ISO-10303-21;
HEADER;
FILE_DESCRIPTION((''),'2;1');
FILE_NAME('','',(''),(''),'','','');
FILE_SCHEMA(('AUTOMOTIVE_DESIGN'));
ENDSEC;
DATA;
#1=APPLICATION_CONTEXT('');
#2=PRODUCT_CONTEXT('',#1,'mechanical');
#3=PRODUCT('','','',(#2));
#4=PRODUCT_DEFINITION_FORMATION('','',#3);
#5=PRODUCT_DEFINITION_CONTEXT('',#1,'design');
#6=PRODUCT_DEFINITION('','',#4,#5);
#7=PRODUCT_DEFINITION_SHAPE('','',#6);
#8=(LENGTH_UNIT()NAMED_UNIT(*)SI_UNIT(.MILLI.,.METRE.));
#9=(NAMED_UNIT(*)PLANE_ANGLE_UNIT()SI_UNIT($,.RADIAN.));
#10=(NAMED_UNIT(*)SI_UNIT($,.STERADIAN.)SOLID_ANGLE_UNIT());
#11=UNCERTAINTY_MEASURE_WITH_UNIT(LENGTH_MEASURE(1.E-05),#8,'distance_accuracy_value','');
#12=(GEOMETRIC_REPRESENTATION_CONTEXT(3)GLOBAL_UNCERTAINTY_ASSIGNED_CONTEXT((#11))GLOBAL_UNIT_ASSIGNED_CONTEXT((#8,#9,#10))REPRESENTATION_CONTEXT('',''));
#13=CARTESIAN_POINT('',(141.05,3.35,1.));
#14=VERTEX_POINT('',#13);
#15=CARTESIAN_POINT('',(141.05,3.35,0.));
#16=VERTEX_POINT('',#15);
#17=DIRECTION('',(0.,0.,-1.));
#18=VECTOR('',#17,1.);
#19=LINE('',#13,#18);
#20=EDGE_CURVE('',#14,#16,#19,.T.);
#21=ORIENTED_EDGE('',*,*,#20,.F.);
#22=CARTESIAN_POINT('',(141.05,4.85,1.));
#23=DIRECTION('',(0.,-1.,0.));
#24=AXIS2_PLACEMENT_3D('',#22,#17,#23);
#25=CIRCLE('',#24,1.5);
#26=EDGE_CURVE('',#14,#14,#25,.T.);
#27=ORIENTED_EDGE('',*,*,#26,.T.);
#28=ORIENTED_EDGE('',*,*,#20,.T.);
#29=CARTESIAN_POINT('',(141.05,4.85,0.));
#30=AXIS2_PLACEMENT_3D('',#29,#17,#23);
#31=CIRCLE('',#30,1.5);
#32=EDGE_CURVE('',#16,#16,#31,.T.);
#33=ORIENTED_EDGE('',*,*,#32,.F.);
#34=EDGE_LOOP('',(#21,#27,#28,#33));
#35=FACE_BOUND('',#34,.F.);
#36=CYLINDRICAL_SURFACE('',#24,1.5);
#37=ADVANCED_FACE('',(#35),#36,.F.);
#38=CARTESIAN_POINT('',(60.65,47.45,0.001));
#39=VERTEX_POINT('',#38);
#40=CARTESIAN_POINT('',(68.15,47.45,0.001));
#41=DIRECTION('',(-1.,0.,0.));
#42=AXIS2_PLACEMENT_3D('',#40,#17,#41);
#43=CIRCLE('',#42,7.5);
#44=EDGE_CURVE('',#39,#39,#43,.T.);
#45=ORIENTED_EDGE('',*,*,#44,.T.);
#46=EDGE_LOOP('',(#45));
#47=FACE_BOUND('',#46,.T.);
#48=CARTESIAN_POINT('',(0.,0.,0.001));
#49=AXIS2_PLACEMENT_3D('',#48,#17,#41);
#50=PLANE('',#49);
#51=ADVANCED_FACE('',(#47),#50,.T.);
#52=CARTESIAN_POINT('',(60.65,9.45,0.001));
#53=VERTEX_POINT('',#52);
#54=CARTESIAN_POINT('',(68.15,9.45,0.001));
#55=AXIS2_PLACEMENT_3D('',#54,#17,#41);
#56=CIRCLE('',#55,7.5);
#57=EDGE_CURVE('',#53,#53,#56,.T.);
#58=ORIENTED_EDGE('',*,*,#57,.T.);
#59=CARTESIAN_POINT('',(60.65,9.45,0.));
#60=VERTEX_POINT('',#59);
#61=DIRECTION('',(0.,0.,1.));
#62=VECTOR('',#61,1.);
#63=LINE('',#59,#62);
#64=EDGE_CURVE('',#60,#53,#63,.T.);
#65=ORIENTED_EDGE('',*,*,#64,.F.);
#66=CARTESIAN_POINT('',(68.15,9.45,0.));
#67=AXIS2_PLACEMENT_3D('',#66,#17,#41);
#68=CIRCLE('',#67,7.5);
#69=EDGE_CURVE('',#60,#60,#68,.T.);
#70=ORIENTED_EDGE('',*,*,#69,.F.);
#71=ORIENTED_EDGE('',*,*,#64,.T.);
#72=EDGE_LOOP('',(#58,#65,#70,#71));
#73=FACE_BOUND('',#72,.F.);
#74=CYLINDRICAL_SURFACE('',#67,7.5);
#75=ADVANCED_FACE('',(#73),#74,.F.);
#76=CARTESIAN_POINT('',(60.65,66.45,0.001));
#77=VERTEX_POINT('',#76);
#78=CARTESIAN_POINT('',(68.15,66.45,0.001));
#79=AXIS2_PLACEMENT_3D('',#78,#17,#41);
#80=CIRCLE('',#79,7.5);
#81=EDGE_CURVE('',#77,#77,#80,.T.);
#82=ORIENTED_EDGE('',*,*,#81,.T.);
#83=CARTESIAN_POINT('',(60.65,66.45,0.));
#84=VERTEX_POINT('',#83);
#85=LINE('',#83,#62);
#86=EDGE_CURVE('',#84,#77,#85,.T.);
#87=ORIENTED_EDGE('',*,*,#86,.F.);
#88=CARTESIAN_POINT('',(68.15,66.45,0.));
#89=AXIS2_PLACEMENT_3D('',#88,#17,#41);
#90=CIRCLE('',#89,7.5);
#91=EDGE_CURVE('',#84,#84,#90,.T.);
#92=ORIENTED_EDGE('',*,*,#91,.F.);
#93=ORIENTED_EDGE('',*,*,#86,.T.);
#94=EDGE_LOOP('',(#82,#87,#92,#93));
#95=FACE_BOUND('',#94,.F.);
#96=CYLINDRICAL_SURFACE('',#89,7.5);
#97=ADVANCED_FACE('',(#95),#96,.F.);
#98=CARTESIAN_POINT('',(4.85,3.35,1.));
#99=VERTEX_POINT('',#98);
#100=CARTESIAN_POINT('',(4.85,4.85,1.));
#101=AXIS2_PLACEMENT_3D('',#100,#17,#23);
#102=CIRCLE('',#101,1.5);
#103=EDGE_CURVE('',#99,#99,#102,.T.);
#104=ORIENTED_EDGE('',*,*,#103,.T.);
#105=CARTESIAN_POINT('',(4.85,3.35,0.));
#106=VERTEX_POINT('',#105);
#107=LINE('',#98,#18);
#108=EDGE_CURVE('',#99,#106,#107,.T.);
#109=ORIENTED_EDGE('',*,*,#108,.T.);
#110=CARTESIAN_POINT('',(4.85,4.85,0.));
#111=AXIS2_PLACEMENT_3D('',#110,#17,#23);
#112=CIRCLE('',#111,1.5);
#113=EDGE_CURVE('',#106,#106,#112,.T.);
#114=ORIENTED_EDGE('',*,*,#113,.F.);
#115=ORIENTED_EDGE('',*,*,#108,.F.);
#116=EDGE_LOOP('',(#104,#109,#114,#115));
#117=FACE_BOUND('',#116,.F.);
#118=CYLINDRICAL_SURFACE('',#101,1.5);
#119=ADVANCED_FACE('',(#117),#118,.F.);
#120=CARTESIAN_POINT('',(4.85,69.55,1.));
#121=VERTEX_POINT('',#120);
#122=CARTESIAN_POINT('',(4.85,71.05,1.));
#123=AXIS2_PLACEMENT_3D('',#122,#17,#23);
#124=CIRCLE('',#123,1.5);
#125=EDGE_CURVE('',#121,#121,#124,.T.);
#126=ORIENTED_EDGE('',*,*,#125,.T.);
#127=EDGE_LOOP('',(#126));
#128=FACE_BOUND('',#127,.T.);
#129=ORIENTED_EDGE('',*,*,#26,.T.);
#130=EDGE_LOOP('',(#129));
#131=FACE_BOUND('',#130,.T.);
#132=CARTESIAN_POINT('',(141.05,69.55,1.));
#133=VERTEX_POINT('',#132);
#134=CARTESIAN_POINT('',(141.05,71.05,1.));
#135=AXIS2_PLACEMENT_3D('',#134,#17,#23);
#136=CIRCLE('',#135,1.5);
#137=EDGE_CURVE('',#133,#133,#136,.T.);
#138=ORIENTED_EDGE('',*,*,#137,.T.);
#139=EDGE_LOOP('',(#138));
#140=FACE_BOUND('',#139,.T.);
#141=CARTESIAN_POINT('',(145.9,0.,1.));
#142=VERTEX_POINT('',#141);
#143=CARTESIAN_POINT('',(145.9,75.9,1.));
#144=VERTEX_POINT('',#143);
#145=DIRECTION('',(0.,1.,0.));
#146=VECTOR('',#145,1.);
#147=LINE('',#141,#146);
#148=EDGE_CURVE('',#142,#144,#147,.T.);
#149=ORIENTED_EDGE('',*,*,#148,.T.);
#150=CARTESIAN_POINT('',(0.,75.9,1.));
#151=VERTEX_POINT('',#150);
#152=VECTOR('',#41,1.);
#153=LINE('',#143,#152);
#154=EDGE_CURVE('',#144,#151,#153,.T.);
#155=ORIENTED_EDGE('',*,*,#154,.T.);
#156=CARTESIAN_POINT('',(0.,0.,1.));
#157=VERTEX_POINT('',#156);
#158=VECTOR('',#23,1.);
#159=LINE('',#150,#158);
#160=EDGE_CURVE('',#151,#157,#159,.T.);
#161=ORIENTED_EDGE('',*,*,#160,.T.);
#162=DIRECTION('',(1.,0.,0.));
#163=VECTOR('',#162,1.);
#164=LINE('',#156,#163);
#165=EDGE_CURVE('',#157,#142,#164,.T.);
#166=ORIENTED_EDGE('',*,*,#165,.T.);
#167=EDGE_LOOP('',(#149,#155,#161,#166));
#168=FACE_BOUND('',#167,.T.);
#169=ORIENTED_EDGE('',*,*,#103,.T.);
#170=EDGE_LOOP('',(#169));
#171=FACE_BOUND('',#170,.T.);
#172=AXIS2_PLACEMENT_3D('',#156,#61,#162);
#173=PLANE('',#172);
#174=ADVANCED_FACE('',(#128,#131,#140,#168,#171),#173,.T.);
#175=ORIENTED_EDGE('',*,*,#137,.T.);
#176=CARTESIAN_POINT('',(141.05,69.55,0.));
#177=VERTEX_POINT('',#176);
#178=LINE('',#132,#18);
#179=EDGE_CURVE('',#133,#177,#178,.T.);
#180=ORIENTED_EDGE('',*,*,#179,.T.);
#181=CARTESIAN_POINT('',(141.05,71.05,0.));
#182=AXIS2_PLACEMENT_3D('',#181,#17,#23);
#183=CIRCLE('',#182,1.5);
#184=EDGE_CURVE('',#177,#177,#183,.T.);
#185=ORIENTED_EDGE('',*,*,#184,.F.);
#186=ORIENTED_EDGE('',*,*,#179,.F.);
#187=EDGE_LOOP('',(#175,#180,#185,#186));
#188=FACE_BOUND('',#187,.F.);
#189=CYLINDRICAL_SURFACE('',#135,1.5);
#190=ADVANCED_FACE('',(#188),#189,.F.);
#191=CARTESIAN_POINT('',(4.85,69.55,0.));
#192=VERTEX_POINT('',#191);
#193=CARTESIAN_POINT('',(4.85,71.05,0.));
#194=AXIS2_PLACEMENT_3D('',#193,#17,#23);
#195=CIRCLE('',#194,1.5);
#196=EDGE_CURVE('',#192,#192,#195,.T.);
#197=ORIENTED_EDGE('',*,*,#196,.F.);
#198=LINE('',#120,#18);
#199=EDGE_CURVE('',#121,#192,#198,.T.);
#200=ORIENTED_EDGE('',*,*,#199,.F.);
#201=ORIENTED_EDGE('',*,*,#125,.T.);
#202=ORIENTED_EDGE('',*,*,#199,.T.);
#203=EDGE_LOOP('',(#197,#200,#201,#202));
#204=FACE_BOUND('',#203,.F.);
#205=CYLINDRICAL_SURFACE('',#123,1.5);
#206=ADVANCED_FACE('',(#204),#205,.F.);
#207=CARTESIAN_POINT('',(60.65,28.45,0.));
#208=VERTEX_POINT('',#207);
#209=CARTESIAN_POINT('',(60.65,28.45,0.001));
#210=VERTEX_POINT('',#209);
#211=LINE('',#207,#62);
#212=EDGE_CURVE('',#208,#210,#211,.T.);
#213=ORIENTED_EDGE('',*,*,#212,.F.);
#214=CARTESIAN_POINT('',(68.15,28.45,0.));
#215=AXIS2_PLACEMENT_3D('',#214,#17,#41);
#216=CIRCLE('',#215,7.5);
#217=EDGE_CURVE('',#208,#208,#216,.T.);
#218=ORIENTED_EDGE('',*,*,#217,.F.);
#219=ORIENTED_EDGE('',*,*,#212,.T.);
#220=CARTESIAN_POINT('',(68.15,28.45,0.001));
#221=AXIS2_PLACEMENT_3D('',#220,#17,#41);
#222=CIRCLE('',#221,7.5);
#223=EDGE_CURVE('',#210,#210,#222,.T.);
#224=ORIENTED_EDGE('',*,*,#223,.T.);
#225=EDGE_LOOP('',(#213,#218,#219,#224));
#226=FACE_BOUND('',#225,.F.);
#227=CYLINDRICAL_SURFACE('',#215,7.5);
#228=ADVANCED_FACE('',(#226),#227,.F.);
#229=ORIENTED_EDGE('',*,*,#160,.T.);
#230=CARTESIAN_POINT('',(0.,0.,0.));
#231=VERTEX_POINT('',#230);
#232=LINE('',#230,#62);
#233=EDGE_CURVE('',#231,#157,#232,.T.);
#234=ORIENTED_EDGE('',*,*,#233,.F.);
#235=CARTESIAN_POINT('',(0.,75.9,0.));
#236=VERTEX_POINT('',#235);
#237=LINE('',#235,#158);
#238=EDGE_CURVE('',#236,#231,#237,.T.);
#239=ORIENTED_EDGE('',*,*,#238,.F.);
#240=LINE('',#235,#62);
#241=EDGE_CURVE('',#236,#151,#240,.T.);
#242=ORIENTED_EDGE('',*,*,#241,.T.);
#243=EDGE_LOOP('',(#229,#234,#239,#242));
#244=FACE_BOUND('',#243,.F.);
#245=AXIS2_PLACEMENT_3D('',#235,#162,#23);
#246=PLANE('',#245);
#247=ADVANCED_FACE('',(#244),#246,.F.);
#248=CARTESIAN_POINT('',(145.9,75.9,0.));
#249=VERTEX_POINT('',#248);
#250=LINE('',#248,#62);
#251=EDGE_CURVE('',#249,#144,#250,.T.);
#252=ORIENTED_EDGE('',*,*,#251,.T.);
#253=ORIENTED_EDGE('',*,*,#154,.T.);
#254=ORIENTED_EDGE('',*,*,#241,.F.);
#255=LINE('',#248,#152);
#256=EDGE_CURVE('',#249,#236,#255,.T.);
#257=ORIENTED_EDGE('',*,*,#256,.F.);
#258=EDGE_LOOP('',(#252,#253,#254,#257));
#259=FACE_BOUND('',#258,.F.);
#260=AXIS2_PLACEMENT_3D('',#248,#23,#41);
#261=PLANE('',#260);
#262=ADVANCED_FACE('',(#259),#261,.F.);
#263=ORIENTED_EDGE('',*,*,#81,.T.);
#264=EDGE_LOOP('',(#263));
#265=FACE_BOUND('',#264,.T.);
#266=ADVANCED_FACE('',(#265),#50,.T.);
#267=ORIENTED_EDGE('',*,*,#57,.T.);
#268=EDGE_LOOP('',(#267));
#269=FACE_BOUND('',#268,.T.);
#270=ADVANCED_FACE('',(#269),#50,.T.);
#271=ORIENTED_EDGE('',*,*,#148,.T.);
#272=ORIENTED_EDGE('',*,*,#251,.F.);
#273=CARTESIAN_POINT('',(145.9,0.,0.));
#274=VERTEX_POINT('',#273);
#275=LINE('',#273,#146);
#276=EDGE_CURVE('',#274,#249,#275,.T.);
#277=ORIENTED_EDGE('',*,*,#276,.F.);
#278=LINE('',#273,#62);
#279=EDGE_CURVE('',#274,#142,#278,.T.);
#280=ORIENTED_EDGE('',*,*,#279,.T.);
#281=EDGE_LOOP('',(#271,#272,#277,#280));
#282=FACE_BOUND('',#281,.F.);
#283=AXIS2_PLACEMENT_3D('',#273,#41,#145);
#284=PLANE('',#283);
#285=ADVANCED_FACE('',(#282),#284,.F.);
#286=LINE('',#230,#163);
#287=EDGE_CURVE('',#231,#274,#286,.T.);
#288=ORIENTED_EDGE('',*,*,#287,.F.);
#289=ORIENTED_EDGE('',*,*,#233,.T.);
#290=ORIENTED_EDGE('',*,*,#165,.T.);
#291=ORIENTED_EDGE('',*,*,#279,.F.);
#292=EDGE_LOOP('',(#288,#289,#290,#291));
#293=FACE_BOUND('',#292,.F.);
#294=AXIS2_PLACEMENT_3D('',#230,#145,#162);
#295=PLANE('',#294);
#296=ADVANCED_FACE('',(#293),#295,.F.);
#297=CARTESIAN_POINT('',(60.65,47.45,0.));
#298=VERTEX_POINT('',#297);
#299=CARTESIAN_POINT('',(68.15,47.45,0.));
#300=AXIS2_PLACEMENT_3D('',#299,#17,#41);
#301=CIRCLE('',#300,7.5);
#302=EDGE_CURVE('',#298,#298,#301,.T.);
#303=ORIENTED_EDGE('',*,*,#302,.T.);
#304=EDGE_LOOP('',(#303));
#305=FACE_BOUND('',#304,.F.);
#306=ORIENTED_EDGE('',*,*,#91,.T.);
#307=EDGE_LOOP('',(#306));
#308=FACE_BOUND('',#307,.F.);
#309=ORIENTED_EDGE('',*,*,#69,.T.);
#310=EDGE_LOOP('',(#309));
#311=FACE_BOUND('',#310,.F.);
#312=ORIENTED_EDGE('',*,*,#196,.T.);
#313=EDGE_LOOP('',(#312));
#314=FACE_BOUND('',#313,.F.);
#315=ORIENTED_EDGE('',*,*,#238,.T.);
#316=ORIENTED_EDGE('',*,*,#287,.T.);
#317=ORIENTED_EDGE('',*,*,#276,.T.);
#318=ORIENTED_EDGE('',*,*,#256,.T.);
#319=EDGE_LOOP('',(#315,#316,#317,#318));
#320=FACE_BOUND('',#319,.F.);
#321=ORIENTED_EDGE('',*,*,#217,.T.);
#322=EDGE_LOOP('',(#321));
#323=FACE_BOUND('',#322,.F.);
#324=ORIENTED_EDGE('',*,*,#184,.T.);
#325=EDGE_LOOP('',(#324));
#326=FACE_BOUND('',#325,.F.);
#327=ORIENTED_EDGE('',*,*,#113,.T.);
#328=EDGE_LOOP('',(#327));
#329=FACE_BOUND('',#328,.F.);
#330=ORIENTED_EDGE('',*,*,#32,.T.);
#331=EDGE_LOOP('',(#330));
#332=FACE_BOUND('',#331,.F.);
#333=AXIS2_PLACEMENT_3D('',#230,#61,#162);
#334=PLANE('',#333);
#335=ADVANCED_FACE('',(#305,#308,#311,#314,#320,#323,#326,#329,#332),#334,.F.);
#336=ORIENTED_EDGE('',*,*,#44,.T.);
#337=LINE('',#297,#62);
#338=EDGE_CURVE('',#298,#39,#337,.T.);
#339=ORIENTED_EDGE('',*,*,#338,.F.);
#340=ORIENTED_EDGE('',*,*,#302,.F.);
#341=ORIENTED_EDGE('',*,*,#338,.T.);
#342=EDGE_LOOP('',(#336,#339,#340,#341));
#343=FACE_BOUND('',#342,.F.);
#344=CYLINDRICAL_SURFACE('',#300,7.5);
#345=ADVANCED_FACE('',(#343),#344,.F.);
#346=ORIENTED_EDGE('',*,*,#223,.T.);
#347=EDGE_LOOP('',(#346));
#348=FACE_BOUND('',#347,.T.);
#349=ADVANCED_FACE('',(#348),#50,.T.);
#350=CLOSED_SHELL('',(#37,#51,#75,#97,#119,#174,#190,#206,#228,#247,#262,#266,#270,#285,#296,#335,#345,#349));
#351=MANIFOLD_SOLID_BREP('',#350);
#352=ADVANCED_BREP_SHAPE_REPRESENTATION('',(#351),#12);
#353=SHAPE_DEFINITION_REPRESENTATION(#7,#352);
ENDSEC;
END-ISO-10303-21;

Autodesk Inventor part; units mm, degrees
ref_plane "YZ Plane" through (0, 0, 0) normal (1, 0, 0) x (0, 1, 0)
ref_plane "XZ Plane" through (0, 0, 0) normal (0, 1, 0) x (-1, 0, 0)
ref_plane "XY Plane" through (0, 0, 0) normal (0, 0, 1) x (1, 0, 0)
sketch "Sketch1" plane through (0, 0, 0) normal (0, 0, 1) x (1, 0, 0)
  line L0 (0, 0) -> (145.9, 0)
  line L1 (145.9, 0) -> (145.9, 75.9)
  line L2 (145.9, 75.9) -> (0, 75.9)
  line L3 (0, 75.9) -> (0, 0)
  dimension "d0" = 145.9
  dimension "d1" = 75.9
extrude "Extrusion1" add sketch "Sketch1" along normal blind 1
sketch "Sketch2" plane through (0, 0, 1) normal (0, 0, 1) x (1, 0, 0)
  line L0 (145.9, 75.9) -> (0, 75.9) construction
  line L1 (0, 75.9) -> (0, 0) construction
  line L2 (0, 0) -> (145.9, 0) construction
  line L3 (145.9, 0) -> (145.9, 75.9) construction
  line L4 (145.9, 75.9) -> (0, 75.9) construction
  line L5 (0, 75.9) -> (0, 0) construction
  line L6 (141.05, 4.85) -> (4.85, 4.85) construction
  line L7 (4.85, 4.85) -> (4.85, 71.05) construction
  line L8 (4.85, 71.05) -> (141.05, 71.05) construction
  line L9 (141.05, 71.05) -> (141.05, 4.85) construction
  dimension "d4" = 4.85
hole "Hole1" at (4.85, 71.05, 1) at (4.85, 4.85, 1) at (141.05, 4.85, 1) at (141.05, 71.05, 1) direction (0, 0, -1) diameter 3 end through all
sketch "Sketch3" plane through (0, 0, 0) normal (0, 0, -1) x (-1, 0, 0)
  circle A0 centre (-141.05, 4.85) radius 1.5 construction
  circle A1 centre (-4.85, 71.05) radius 1.5 construction
  circle A2 centre (-4.85, 4.85) radius 1.5 construction
  circle A3 centre (-141.05, 71.05) radius 1.5 construction
  line L0 (0, 0) -> (-145.9, 0) construction
  line L1 (0, 75.9) -> (0, 0) construction
  line L2 (-145.9, 75.9) -> (0, 75.9) construction
  line L3 (-145.9, 0) -> (-145.9, 75.9) construction
  line L4 (-68.15, 0) -> (-68.15, 75.9) construction
  line L5 (0, 9.45) -> (-68.15, 9.45) construction
  line L6 (0, 28.45) -> (-68.15, 28.45) construction
  line L7 (0, 47.45) -> (-68.15, 47.45) construction
  line L8 (0, 66.45) -> (-68.15, 66.45) construction
  circle A4 centre (-68.15, 9.45) radius 7.5
  circle A5 centre (-68.15, 28.45) radius 7.5
  circle A6 centre (-68.15, 47.45) radius 7.5
  circle A7 centre (-68.15, 66.45) radius 7.5
  dimension "d20" = 68.15
  dimension "d21" = 9.45
  dimension "d23" = 19
  dimension "d24" = 19
  dimension "d25" = 19
  dimension "d26" = 15
  dimension "d27" = 15
  dimension "d28" = 15
  dimension "d29" = 15
extrude "Extrusion2" cut sketch "Sketch3" against normal blind 0.001
properties part number "Polycarbonate Facia" material "Polycarbonate, Clear"
